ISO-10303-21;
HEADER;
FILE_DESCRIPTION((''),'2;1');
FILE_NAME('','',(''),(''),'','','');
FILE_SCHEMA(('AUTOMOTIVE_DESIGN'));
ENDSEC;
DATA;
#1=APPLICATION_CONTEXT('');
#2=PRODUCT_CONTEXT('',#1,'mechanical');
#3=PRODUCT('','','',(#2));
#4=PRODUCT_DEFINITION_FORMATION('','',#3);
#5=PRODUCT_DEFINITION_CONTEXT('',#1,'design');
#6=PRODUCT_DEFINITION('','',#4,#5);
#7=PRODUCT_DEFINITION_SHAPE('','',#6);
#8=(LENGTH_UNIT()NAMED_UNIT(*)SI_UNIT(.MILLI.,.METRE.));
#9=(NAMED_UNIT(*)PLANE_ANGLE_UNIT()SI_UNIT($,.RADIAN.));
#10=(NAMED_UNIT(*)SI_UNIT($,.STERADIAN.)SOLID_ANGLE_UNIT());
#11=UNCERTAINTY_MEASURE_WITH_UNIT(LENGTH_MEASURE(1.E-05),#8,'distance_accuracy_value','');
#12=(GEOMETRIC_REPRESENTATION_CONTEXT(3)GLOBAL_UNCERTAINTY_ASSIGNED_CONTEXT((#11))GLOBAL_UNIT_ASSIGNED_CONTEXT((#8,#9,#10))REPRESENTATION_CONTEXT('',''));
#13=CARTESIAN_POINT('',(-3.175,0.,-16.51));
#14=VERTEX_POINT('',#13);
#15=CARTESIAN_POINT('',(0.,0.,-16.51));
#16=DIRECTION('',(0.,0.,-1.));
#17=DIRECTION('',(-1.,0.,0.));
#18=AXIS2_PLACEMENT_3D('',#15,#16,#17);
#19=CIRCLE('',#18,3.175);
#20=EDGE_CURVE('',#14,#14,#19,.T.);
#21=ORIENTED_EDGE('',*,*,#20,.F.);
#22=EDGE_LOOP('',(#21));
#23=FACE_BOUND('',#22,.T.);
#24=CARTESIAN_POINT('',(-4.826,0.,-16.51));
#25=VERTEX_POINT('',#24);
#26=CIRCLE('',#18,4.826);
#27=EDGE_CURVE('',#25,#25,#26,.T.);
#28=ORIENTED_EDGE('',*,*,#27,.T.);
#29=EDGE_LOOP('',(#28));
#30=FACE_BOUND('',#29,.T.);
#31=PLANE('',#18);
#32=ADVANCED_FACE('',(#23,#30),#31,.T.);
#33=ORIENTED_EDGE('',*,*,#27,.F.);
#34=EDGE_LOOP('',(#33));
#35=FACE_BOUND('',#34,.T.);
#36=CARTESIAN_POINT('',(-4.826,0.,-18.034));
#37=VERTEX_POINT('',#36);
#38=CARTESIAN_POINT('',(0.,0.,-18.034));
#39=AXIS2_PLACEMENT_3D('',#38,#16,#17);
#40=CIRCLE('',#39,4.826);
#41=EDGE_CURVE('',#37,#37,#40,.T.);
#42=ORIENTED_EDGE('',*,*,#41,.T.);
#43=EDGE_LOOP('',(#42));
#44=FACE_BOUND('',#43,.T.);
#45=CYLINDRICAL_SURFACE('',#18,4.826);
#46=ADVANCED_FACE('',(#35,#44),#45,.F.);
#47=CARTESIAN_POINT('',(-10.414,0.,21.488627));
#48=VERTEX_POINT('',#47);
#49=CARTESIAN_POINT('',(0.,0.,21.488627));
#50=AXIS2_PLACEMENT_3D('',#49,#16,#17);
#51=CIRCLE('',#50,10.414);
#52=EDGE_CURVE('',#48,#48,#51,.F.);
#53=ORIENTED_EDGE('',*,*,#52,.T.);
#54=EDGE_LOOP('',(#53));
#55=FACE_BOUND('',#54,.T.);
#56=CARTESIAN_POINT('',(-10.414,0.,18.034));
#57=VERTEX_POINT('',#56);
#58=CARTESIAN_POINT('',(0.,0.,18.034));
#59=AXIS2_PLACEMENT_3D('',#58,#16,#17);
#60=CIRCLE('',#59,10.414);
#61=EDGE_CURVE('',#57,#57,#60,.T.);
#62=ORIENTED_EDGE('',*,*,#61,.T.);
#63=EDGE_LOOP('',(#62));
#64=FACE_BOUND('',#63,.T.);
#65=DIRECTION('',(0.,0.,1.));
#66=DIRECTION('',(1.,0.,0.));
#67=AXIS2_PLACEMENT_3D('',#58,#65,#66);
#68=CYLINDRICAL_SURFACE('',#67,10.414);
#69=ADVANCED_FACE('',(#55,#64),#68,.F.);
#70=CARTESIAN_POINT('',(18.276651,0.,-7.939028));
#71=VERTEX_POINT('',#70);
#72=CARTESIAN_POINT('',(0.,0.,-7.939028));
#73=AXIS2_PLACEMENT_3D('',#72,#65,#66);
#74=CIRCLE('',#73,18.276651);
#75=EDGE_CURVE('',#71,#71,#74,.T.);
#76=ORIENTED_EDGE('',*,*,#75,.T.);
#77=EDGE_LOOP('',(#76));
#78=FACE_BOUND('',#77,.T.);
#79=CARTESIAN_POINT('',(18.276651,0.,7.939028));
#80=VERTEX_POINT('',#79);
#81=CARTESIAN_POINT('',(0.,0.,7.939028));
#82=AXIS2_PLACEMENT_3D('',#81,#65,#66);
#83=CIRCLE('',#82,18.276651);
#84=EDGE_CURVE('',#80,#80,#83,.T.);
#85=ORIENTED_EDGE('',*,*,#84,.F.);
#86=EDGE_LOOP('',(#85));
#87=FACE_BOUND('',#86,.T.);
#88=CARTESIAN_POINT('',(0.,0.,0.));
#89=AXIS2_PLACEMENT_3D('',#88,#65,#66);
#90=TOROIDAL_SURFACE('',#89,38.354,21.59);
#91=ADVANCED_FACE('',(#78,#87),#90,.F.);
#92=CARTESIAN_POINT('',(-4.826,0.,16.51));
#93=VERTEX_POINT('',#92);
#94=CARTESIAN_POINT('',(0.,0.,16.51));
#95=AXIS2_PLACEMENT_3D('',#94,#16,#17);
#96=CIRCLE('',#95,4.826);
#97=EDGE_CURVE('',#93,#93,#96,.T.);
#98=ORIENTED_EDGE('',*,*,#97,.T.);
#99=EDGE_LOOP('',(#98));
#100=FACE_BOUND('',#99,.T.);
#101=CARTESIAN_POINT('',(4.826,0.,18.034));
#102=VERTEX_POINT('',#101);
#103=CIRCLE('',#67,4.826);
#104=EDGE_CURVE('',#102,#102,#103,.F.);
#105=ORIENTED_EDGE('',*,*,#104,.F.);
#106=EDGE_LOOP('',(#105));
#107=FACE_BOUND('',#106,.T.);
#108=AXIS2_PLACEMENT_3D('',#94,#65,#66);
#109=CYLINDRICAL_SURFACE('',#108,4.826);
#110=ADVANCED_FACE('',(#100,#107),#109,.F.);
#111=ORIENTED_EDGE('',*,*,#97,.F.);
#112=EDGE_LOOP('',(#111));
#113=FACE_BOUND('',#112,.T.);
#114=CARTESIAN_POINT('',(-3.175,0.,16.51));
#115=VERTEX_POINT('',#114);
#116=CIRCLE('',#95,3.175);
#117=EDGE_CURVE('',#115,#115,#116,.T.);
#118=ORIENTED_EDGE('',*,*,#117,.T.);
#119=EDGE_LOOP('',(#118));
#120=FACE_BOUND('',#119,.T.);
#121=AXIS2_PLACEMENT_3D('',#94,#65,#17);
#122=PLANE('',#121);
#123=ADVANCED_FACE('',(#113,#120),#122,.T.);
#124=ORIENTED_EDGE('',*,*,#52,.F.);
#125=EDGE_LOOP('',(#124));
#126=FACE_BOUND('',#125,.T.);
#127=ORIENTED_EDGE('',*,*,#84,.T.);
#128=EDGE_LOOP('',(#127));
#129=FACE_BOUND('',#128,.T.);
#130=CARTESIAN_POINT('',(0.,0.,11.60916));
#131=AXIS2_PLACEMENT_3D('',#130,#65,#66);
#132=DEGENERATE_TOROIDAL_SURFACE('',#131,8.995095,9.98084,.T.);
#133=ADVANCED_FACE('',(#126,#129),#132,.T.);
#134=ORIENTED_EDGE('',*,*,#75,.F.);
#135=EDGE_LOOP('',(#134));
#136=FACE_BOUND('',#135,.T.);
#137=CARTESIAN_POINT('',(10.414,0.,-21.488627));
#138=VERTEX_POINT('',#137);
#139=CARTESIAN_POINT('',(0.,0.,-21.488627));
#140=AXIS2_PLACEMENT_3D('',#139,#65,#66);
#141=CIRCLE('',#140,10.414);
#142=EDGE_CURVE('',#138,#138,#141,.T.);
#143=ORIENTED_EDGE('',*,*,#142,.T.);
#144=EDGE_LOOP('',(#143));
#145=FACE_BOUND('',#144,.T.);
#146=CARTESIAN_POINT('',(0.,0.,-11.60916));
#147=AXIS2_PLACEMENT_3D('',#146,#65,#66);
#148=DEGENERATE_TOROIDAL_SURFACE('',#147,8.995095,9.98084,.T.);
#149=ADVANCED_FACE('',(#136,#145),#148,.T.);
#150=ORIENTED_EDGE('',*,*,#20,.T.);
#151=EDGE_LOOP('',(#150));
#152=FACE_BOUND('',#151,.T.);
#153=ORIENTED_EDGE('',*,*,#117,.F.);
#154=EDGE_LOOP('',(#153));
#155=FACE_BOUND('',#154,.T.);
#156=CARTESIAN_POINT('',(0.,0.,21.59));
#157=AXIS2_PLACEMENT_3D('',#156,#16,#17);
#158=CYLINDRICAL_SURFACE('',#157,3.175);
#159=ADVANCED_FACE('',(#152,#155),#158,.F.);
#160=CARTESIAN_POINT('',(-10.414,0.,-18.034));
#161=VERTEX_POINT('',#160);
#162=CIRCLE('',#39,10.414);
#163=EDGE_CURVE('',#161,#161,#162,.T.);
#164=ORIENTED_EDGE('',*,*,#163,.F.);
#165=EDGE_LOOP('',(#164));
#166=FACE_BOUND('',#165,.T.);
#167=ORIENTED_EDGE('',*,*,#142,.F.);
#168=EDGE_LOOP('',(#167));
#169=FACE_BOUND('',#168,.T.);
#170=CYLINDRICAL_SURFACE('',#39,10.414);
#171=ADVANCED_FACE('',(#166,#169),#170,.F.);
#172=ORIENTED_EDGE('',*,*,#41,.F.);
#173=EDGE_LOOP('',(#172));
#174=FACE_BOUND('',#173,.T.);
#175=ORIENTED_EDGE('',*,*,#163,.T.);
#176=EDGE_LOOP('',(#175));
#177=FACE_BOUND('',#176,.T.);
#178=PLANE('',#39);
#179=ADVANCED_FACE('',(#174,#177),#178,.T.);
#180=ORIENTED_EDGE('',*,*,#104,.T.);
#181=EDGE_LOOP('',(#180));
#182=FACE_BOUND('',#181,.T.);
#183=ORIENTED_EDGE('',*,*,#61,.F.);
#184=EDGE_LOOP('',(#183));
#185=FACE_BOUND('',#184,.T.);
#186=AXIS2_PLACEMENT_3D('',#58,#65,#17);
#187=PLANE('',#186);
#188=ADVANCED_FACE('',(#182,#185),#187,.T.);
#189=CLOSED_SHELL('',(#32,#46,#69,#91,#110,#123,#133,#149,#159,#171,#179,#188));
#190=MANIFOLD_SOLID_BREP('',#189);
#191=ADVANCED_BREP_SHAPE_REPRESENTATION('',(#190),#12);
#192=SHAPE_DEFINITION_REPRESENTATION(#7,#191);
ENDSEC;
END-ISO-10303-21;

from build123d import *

# Parameters (mm, degrees)
SKETCH2_R          = 10.414
SKETCH2_R_2        = 4.826
CUT_EXTRUDE1_DEPTH = 3.556
SKETCH2_3_R        = 4.826
SKETCH2_3_R_2      = 3.175
CUT_EXTRUDE2_DEPTH = 5.08
SKETCH2_4_R        = 3.175
CUT_EXTRUDE3_DEPTH = 51.839793437


with BuildPart() as part:
    # Sketch1 → Revolve1 (revolve)
    with BuildSketch(Plane(origin=(0, 0, 0), x_dir=(1, 0, 0), z_dir=(0, 1, 0))):
        with BuildLine():
            Line((-8.99509488, -21.59), (0, -21.59))
            Line((0, -21.59), (0, 21.59))
            Line((0, 21.59), (-8.99509488, 21.59))
            ThreePointArc((-8.99509488, 21.59), (-17.248826294, 17.221029702), (-18.27665112, 7.939027771))
            ThreePointArc((-18.27665112, 7.939027771), (-17.145533974, 4.040924256), (-16.764, 0))
            ThreePointArc((-16.764, 0), (-17.145533974, -4.040924256), (-18.27665112, -7.939027771))
            ThreePointArc((-18.27665112, -7.939027771), (-18.957860852, -12.209538391), (-17.768742698, -16.367338972))
            ThreePointArc((-17.768742698, -16.367338972), (-14.100314862, -20.185516743), (-8.99509488, -21.59))
        make_face()
    revolve(axis=Axis((0, 0, 21.59), (0, 0, -1)))

    # Sketch2 → Cut-Extrude1 (cut)
    with BuildSketch(Plane(origin=(0, 0, -21.59), x_dir=(-1, 0, 0), z_dir=(0, 0, -1))):
        Circle(SKETCH2_R)
        Circle(SKETCH2_R_2, mode=Mode.SUBTRACT)
    cut_extrude1 = extrude(amount=-CUT_EXTRUDE1_DEPTH, mode=Mode.SUBTRACT)

    # Sketch2<3> → Cut-Extrude2 (cut)
    with BuildSketch(Plane(origin=(0, 0, -21.59), x_dir=(-1, 0, 0), z_dir=(0, 0, -1))):
        Circle(SKETCH2_3_R)
        Circle(SKETCH2_3_R_2, mode=Mode.SUBTRACT)
    cut_extrude2 = extrude(amount=-CUT_EXTRUDE2_DEPTH, mode=Mode.SUBTRACT)

    # Sketch2<4> → Cut-Extrude3 (cut, through all)
    with BuildSketch(Plane(origin=(0, 0, -21.59), x_dir=(-1, 0, 0), z_dir=(0, 0, -1))):
        Circle(SKETCH2_4_R)
    extrude(amount=-CUT_EXTRUDE3_DEPTH, mode=Mode.SUBTRACT)

    # Mirror1: Cut-Extrude1, Cut-Extrude2 across plane
    add(cut_extrude1.mirror(Plane.XY), mode=Mode.SUBTRACT)
    add(cut_extrude2.mirror(Plane.XY), mode=Mode.SUBTRACT)


solid = part.part
